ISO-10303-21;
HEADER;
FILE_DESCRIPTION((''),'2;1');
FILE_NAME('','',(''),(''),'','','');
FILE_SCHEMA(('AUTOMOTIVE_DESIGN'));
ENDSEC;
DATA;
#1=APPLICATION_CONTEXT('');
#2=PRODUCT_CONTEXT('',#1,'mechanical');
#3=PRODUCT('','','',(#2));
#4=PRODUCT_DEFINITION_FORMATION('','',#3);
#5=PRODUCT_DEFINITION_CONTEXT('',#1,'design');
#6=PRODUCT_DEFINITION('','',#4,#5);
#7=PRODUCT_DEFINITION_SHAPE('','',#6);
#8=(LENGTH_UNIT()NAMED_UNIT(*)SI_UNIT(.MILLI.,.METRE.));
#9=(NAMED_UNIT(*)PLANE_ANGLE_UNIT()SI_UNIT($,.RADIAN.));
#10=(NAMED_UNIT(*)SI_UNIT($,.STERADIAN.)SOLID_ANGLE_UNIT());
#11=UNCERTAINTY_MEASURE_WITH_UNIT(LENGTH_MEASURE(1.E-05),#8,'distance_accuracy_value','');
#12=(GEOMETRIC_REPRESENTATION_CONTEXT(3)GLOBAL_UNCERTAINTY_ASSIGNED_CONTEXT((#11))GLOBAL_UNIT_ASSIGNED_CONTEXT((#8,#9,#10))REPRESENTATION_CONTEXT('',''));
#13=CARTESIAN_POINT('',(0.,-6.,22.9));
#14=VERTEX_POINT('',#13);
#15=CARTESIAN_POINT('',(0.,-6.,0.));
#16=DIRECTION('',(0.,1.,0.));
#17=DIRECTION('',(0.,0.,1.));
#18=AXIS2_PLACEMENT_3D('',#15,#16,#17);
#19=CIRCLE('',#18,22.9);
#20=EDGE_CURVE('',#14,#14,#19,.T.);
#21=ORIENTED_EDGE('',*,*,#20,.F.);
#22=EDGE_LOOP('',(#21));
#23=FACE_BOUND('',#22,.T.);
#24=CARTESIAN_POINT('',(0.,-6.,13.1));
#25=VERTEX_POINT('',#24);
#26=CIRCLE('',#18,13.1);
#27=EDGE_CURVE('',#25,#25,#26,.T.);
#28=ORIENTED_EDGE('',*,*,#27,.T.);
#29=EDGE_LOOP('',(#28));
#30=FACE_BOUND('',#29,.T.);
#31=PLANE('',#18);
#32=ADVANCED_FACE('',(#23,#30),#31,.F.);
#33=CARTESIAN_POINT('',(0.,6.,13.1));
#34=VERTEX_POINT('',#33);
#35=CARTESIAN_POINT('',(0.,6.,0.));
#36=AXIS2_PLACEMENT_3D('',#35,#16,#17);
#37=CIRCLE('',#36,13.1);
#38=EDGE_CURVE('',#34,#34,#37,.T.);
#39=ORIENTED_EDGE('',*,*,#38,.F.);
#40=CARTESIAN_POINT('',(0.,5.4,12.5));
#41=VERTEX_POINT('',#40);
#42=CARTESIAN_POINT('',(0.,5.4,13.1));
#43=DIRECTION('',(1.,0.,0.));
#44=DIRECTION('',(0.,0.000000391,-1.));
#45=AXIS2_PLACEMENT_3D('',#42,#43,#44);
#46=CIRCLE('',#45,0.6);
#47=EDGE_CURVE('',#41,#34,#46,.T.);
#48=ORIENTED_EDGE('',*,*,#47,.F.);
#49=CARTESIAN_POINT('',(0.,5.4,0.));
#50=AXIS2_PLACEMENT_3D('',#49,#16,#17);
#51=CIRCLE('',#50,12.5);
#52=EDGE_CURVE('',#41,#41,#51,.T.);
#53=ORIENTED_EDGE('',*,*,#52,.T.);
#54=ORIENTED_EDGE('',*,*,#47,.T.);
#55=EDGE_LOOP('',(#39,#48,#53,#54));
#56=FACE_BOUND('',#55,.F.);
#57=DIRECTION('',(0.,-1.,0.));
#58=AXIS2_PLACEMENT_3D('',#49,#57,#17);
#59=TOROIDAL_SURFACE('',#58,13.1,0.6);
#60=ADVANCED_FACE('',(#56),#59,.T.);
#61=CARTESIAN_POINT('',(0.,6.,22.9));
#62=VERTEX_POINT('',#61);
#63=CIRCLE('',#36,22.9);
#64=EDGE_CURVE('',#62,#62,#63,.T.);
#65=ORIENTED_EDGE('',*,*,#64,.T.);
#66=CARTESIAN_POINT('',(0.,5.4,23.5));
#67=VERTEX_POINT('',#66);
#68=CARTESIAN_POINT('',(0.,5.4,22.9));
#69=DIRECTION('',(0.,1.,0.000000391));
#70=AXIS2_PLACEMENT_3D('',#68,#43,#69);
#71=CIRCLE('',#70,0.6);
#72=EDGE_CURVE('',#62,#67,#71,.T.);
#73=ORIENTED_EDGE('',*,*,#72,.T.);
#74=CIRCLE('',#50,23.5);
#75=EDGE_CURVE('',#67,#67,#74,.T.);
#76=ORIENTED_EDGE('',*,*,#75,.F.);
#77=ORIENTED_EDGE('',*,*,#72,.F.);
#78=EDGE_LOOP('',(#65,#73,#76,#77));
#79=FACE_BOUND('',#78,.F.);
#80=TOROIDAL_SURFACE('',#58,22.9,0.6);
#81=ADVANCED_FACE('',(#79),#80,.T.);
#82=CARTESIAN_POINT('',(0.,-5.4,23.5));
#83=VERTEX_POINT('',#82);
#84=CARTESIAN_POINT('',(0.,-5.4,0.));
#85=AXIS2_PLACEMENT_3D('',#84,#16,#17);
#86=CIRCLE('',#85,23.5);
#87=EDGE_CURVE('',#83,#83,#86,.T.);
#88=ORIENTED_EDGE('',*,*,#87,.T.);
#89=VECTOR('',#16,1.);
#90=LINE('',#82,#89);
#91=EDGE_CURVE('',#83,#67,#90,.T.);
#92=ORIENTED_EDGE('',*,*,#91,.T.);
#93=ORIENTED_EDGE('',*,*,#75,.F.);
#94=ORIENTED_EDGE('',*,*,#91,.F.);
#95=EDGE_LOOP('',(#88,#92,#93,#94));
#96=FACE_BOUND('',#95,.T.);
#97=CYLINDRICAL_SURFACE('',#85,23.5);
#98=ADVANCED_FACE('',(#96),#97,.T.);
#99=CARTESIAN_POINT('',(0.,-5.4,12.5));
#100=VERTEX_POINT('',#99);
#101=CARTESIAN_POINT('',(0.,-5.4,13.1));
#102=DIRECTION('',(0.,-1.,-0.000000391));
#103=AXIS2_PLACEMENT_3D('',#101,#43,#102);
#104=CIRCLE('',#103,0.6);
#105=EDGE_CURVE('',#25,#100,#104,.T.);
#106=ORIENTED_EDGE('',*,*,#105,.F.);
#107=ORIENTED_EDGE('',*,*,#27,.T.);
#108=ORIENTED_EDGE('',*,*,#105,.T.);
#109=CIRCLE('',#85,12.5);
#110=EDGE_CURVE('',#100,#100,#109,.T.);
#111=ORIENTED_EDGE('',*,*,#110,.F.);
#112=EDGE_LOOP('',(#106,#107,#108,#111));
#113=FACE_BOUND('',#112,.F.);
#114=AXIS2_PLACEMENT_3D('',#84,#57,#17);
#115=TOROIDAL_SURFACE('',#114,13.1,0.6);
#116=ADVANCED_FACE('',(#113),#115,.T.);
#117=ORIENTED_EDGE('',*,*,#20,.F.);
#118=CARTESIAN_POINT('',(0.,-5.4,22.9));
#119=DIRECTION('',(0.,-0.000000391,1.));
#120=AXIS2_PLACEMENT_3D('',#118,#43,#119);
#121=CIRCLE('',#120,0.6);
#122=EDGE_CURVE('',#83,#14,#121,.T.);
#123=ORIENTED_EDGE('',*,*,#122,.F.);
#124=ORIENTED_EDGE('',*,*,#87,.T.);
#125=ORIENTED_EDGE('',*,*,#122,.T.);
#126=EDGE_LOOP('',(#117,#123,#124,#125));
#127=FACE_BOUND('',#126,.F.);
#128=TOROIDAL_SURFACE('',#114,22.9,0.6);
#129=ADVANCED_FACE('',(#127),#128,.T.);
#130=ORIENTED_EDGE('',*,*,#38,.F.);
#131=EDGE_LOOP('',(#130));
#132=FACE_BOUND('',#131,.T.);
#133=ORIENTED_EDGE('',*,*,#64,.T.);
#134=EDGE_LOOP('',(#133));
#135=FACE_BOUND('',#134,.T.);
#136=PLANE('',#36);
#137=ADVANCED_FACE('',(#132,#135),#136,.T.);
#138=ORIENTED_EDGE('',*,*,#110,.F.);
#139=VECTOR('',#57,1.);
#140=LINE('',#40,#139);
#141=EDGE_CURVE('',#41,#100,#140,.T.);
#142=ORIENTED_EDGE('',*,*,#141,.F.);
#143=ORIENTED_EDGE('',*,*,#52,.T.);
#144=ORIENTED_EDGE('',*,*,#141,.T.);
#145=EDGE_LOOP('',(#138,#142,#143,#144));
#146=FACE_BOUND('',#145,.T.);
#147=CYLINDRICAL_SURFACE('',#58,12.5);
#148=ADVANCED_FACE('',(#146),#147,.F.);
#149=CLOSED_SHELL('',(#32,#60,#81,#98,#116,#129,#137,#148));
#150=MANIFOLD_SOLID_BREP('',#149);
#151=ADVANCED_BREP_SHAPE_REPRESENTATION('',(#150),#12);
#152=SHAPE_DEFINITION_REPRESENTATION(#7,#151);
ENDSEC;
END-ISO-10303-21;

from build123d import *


with BuildPart() as part:
    # Sketch → Revolution (revolve)
    with BuildSketch(Plane.YZ):
        with BuildLine():
            ThreePointArc((-5.4, 23.5), (-5.824264, 23.324264), (-6, 22.9))
            Line((-6, 13.1), (-6, 22.9))
            ThreePointArc((-6, 13.1), (-5.824264, 12.675736), (-5.4, 12.5))
            Line((5.4, 12.5), (-5.4, 12.5))
            ThreePointArc((5.4, 12.5), (5.824264, 12.675736), (6, 13.1))
            Line((6, 22.9), (6, 13.1))
            ThreePointArc((6, 22.9), (5.824264, 23.324264), (5.4, 23.5))
            Line((-5.4, 23.5), (5.4, 23.5))
        make_face()
    revolve(axis=Axis((0, 0, 0), (0, 1, 0)))


solid = part.part
